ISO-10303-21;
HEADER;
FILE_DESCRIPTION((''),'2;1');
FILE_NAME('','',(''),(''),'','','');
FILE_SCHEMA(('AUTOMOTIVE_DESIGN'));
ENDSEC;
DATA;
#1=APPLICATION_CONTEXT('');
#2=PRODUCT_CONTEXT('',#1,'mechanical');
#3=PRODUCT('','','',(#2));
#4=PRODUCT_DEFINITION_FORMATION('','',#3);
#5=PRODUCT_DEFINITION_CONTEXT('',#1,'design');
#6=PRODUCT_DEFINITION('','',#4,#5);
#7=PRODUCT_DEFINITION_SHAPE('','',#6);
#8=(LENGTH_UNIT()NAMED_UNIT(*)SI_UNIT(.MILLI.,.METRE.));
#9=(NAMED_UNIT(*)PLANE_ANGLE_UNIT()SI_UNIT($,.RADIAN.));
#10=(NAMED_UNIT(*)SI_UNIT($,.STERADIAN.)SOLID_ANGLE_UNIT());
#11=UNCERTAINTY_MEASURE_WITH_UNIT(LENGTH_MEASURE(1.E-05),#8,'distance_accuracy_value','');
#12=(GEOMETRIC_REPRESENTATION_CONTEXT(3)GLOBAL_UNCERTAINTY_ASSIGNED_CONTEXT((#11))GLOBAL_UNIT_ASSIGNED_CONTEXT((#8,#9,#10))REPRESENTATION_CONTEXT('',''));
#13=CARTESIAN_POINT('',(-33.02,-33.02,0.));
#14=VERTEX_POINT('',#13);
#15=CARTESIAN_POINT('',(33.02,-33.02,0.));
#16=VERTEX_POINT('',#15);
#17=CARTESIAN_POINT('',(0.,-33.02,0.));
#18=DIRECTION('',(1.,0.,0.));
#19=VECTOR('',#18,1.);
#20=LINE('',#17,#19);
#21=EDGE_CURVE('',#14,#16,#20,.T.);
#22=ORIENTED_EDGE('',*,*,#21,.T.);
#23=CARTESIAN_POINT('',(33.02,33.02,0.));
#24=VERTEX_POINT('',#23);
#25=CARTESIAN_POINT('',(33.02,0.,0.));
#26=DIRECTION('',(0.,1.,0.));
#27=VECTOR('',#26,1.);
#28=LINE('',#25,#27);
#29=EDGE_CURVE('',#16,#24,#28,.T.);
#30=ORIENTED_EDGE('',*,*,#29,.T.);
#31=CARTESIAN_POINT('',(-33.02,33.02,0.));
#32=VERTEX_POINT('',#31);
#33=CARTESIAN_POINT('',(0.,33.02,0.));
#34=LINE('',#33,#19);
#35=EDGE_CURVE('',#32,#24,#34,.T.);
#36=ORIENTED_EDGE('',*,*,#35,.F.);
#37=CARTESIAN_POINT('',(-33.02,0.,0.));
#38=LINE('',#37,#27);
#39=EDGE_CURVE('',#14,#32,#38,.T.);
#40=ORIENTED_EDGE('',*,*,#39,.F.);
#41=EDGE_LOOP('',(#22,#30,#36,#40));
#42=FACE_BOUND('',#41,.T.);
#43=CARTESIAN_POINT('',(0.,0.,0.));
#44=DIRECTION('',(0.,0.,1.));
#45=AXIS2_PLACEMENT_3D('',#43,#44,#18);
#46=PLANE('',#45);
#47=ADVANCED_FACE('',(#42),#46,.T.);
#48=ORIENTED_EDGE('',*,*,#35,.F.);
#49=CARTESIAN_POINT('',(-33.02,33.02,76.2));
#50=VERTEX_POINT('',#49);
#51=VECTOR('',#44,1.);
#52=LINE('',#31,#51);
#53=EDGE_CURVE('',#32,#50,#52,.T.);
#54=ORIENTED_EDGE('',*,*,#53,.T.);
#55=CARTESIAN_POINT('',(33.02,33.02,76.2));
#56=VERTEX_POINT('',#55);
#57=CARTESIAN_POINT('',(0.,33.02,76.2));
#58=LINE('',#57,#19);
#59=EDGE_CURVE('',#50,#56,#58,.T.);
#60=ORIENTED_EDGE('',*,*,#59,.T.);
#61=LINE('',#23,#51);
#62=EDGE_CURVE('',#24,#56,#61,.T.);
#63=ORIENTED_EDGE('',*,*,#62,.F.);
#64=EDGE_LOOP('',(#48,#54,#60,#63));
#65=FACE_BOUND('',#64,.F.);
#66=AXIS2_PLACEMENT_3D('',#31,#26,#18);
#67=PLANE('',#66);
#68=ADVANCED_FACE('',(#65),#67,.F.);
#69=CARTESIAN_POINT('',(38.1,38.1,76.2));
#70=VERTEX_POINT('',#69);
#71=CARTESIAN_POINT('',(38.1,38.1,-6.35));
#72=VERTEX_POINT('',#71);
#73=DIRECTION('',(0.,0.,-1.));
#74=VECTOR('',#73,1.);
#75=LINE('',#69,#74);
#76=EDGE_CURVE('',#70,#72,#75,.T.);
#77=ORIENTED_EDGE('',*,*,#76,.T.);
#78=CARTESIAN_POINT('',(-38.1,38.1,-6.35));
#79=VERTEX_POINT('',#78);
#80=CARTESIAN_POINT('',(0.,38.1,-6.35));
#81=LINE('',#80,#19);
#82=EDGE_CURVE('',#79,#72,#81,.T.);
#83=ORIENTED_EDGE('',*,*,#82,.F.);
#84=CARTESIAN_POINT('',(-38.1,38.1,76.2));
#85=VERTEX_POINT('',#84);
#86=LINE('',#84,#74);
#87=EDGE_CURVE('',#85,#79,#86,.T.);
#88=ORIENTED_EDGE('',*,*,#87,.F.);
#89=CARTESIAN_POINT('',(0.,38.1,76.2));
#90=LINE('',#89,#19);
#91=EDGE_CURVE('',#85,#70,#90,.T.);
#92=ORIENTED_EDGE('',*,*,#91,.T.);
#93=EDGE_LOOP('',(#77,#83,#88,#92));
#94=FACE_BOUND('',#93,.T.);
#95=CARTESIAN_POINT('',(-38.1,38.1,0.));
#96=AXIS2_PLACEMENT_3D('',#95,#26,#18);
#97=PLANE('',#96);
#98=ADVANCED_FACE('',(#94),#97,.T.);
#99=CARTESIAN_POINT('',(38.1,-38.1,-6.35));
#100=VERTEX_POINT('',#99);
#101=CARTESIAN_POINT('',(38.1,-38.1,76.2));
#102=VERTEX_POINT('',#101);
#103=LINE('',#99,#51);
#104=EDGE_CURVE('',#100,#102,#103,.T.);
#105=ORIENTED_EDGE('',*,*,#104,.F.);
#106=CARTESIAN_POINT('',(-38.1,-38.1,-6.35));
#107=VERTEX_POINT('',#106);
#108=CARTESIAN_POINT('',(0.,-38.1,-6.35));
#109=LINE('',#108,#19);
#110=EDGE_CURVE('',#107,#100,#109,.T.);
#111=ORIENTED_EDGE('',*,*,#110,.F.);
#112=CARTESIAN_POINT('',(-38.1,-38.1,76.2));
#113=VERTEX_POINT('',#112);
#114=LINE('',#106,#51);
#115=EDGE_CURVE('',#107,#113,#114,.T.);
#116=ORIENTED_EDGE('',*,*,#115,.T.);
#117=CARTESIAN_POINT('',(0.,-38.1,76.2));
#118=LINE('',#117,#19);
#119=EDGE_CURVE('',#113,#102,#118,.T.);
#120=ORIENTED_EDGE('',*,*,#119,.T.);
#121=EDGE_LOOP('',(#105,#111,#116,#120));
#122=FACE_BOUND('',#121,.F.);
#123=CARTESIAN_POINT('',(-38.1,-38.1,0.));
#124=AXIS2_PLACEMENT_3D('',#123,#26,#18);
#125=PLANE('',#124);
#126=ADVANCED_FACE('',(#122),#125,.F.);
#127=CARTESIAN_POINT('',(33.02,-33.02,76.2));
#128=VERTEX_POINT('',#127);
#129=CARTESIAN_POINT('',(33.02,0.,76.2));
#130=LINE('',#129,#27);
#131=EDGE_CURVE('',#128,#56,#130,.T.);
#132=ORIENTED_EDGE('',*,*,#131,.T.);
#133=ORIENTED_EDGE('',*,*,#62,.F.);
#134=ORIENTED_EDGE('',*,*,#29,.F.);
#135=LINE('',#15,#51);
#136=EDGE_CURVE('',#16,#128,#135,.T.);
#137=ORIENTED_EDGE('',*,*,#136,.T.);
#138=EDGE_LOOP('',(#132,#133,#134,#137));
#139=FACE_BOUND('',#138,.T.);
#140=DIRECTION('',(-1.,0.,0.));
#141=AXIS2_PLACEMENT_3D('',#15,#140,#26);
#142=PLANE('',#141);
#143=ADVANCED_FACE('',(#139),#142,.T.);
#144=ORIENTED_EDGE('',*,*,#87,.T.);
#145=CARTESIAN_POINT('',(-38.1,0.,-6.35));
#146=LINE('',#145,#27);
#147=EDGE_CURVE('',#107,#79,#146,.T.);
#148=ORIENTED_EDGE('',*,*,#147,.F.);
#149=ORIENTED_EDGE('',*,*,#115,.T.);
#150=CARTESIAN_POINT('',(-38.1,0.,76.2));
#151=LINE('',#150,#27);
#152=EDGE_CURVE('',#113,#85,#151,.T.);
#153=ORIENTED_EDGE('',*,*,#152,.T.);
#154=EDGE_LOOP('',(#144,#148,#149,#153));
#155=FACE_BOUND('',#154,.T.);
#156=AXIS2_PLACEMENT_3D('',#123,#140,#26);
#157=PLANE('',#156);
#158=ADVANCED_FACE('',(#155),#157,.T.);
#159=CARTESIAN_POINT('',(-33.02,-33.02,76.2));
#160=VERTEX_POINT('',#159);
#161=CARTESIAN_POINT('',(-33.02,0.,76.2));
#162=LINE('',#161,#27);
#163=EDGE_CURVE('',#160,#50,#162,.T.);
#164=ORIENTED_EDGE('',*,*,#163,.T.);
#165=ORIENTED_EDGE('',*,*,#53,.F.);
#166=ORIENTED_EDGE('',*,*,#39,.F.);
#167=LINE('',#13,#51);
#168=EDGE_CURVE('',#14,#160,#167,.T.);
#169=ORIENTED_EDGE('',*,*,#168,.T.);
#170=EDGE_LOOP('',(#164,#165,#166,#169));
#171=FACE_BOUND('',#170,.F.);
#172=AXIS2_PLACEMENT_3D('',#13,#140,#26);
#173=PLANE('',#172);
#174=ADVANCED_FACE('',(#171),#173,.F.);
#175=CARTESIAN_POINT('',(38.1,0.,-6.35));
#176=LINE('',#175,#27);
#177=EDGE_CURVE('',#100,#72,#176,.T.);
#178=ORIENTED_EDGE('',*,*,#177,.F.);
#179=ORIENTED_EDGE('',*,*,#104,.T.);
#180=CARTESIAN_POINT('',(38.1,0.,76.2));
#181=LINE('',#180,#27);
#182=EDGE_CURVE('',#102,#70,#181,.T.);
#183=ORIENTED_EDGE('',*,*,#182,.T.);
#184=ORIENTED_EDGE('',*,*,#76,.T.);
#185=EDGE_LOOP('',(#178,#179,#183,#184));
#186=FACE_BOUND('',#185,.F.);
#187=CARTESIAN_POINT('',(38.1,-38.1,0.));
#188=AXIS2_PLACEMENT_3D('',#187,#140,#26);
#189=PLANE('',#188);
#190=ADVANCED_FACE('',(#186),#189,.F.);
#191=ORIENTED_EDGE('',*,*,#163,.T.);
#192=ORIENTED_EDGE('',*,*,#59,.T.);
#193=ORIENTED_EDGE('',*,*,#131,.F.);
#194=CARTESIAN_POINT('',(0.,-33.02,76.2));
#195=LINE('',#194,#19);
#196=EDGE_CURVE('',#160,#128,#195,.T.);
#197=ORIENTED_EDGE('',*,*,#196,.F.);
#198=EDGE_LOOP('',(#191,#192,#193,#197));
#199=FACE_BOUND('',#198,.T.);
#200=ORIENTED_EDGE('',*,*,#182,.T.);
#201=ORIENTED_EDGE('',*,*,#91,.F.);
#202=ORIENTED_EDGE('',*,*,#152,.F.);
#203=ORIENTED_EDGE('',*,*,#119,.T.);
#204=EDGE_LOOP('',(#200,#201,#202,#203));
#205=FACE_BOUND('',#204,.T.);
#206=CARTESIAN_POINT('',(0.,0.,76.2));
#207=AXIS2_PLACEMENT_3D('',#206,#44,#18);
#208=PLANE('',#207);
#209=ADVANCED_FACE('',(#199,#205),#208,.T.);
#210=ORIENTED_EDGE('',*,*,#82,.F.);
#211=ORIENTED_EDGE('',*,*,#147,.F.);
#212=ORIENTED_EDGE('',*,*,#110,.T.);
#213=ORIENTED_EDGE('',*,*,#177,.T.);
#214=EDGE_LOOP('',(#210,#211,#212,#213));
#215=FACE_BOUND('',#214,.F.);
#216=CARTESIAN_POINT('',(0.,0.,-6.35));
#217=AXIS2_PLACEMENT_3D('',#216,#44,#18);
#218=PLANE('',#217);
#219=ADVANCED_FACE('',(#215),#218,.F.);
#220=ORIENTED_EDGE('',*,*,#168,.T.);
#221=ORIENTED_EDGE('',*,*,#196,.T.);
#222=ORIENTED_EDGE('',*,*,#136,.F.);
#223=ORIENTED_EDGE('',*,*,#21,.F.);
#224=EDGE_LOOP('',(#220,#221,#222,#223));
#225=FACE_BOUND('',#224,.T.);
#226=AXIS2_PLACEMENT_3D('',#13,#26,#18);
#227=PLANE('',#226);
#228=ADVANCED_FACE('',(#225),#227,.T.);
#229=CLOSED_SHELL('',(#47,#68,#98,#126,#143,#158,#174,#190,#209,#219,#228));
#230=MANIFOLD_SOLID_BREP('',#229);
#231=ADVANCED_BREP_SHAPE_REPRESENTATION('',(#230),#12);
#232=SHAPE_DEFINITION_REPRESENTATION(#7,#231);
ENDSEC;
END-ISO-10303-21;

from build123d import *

# Parameters (mm, degrees)
F0_W     = 76.2
F0_H     = 76.2
F0_W_2   = 66.04
F0_H_2   = 66.04
F1_DEPTH = 6.35
F2_DEPTH = 76.2


with BuildPart() as f1:
    # F0 (on Top) → F1 (new body)
    with BuildSketch(Plane.XY):
        Rectangle(F0_W, F0_H)
        Rectangle(F0_W_2, F0_H_2, mode=Mode.SUBTRACT)
        Rectangle(F0_W_2, F0_H_2)
    extrude(amount=-F1_DEPTH)

    # F0 (on Top) → F2 (join)
    with BuildSketch(Plane.XY):
        Rectangle(F0_W, F0_H)
        Rectangle(F0_W_2, F0_H_2, mode=Mode.SUBTRACT)
    extrude(amount=F2_DEPTH)


solid = f1.part
